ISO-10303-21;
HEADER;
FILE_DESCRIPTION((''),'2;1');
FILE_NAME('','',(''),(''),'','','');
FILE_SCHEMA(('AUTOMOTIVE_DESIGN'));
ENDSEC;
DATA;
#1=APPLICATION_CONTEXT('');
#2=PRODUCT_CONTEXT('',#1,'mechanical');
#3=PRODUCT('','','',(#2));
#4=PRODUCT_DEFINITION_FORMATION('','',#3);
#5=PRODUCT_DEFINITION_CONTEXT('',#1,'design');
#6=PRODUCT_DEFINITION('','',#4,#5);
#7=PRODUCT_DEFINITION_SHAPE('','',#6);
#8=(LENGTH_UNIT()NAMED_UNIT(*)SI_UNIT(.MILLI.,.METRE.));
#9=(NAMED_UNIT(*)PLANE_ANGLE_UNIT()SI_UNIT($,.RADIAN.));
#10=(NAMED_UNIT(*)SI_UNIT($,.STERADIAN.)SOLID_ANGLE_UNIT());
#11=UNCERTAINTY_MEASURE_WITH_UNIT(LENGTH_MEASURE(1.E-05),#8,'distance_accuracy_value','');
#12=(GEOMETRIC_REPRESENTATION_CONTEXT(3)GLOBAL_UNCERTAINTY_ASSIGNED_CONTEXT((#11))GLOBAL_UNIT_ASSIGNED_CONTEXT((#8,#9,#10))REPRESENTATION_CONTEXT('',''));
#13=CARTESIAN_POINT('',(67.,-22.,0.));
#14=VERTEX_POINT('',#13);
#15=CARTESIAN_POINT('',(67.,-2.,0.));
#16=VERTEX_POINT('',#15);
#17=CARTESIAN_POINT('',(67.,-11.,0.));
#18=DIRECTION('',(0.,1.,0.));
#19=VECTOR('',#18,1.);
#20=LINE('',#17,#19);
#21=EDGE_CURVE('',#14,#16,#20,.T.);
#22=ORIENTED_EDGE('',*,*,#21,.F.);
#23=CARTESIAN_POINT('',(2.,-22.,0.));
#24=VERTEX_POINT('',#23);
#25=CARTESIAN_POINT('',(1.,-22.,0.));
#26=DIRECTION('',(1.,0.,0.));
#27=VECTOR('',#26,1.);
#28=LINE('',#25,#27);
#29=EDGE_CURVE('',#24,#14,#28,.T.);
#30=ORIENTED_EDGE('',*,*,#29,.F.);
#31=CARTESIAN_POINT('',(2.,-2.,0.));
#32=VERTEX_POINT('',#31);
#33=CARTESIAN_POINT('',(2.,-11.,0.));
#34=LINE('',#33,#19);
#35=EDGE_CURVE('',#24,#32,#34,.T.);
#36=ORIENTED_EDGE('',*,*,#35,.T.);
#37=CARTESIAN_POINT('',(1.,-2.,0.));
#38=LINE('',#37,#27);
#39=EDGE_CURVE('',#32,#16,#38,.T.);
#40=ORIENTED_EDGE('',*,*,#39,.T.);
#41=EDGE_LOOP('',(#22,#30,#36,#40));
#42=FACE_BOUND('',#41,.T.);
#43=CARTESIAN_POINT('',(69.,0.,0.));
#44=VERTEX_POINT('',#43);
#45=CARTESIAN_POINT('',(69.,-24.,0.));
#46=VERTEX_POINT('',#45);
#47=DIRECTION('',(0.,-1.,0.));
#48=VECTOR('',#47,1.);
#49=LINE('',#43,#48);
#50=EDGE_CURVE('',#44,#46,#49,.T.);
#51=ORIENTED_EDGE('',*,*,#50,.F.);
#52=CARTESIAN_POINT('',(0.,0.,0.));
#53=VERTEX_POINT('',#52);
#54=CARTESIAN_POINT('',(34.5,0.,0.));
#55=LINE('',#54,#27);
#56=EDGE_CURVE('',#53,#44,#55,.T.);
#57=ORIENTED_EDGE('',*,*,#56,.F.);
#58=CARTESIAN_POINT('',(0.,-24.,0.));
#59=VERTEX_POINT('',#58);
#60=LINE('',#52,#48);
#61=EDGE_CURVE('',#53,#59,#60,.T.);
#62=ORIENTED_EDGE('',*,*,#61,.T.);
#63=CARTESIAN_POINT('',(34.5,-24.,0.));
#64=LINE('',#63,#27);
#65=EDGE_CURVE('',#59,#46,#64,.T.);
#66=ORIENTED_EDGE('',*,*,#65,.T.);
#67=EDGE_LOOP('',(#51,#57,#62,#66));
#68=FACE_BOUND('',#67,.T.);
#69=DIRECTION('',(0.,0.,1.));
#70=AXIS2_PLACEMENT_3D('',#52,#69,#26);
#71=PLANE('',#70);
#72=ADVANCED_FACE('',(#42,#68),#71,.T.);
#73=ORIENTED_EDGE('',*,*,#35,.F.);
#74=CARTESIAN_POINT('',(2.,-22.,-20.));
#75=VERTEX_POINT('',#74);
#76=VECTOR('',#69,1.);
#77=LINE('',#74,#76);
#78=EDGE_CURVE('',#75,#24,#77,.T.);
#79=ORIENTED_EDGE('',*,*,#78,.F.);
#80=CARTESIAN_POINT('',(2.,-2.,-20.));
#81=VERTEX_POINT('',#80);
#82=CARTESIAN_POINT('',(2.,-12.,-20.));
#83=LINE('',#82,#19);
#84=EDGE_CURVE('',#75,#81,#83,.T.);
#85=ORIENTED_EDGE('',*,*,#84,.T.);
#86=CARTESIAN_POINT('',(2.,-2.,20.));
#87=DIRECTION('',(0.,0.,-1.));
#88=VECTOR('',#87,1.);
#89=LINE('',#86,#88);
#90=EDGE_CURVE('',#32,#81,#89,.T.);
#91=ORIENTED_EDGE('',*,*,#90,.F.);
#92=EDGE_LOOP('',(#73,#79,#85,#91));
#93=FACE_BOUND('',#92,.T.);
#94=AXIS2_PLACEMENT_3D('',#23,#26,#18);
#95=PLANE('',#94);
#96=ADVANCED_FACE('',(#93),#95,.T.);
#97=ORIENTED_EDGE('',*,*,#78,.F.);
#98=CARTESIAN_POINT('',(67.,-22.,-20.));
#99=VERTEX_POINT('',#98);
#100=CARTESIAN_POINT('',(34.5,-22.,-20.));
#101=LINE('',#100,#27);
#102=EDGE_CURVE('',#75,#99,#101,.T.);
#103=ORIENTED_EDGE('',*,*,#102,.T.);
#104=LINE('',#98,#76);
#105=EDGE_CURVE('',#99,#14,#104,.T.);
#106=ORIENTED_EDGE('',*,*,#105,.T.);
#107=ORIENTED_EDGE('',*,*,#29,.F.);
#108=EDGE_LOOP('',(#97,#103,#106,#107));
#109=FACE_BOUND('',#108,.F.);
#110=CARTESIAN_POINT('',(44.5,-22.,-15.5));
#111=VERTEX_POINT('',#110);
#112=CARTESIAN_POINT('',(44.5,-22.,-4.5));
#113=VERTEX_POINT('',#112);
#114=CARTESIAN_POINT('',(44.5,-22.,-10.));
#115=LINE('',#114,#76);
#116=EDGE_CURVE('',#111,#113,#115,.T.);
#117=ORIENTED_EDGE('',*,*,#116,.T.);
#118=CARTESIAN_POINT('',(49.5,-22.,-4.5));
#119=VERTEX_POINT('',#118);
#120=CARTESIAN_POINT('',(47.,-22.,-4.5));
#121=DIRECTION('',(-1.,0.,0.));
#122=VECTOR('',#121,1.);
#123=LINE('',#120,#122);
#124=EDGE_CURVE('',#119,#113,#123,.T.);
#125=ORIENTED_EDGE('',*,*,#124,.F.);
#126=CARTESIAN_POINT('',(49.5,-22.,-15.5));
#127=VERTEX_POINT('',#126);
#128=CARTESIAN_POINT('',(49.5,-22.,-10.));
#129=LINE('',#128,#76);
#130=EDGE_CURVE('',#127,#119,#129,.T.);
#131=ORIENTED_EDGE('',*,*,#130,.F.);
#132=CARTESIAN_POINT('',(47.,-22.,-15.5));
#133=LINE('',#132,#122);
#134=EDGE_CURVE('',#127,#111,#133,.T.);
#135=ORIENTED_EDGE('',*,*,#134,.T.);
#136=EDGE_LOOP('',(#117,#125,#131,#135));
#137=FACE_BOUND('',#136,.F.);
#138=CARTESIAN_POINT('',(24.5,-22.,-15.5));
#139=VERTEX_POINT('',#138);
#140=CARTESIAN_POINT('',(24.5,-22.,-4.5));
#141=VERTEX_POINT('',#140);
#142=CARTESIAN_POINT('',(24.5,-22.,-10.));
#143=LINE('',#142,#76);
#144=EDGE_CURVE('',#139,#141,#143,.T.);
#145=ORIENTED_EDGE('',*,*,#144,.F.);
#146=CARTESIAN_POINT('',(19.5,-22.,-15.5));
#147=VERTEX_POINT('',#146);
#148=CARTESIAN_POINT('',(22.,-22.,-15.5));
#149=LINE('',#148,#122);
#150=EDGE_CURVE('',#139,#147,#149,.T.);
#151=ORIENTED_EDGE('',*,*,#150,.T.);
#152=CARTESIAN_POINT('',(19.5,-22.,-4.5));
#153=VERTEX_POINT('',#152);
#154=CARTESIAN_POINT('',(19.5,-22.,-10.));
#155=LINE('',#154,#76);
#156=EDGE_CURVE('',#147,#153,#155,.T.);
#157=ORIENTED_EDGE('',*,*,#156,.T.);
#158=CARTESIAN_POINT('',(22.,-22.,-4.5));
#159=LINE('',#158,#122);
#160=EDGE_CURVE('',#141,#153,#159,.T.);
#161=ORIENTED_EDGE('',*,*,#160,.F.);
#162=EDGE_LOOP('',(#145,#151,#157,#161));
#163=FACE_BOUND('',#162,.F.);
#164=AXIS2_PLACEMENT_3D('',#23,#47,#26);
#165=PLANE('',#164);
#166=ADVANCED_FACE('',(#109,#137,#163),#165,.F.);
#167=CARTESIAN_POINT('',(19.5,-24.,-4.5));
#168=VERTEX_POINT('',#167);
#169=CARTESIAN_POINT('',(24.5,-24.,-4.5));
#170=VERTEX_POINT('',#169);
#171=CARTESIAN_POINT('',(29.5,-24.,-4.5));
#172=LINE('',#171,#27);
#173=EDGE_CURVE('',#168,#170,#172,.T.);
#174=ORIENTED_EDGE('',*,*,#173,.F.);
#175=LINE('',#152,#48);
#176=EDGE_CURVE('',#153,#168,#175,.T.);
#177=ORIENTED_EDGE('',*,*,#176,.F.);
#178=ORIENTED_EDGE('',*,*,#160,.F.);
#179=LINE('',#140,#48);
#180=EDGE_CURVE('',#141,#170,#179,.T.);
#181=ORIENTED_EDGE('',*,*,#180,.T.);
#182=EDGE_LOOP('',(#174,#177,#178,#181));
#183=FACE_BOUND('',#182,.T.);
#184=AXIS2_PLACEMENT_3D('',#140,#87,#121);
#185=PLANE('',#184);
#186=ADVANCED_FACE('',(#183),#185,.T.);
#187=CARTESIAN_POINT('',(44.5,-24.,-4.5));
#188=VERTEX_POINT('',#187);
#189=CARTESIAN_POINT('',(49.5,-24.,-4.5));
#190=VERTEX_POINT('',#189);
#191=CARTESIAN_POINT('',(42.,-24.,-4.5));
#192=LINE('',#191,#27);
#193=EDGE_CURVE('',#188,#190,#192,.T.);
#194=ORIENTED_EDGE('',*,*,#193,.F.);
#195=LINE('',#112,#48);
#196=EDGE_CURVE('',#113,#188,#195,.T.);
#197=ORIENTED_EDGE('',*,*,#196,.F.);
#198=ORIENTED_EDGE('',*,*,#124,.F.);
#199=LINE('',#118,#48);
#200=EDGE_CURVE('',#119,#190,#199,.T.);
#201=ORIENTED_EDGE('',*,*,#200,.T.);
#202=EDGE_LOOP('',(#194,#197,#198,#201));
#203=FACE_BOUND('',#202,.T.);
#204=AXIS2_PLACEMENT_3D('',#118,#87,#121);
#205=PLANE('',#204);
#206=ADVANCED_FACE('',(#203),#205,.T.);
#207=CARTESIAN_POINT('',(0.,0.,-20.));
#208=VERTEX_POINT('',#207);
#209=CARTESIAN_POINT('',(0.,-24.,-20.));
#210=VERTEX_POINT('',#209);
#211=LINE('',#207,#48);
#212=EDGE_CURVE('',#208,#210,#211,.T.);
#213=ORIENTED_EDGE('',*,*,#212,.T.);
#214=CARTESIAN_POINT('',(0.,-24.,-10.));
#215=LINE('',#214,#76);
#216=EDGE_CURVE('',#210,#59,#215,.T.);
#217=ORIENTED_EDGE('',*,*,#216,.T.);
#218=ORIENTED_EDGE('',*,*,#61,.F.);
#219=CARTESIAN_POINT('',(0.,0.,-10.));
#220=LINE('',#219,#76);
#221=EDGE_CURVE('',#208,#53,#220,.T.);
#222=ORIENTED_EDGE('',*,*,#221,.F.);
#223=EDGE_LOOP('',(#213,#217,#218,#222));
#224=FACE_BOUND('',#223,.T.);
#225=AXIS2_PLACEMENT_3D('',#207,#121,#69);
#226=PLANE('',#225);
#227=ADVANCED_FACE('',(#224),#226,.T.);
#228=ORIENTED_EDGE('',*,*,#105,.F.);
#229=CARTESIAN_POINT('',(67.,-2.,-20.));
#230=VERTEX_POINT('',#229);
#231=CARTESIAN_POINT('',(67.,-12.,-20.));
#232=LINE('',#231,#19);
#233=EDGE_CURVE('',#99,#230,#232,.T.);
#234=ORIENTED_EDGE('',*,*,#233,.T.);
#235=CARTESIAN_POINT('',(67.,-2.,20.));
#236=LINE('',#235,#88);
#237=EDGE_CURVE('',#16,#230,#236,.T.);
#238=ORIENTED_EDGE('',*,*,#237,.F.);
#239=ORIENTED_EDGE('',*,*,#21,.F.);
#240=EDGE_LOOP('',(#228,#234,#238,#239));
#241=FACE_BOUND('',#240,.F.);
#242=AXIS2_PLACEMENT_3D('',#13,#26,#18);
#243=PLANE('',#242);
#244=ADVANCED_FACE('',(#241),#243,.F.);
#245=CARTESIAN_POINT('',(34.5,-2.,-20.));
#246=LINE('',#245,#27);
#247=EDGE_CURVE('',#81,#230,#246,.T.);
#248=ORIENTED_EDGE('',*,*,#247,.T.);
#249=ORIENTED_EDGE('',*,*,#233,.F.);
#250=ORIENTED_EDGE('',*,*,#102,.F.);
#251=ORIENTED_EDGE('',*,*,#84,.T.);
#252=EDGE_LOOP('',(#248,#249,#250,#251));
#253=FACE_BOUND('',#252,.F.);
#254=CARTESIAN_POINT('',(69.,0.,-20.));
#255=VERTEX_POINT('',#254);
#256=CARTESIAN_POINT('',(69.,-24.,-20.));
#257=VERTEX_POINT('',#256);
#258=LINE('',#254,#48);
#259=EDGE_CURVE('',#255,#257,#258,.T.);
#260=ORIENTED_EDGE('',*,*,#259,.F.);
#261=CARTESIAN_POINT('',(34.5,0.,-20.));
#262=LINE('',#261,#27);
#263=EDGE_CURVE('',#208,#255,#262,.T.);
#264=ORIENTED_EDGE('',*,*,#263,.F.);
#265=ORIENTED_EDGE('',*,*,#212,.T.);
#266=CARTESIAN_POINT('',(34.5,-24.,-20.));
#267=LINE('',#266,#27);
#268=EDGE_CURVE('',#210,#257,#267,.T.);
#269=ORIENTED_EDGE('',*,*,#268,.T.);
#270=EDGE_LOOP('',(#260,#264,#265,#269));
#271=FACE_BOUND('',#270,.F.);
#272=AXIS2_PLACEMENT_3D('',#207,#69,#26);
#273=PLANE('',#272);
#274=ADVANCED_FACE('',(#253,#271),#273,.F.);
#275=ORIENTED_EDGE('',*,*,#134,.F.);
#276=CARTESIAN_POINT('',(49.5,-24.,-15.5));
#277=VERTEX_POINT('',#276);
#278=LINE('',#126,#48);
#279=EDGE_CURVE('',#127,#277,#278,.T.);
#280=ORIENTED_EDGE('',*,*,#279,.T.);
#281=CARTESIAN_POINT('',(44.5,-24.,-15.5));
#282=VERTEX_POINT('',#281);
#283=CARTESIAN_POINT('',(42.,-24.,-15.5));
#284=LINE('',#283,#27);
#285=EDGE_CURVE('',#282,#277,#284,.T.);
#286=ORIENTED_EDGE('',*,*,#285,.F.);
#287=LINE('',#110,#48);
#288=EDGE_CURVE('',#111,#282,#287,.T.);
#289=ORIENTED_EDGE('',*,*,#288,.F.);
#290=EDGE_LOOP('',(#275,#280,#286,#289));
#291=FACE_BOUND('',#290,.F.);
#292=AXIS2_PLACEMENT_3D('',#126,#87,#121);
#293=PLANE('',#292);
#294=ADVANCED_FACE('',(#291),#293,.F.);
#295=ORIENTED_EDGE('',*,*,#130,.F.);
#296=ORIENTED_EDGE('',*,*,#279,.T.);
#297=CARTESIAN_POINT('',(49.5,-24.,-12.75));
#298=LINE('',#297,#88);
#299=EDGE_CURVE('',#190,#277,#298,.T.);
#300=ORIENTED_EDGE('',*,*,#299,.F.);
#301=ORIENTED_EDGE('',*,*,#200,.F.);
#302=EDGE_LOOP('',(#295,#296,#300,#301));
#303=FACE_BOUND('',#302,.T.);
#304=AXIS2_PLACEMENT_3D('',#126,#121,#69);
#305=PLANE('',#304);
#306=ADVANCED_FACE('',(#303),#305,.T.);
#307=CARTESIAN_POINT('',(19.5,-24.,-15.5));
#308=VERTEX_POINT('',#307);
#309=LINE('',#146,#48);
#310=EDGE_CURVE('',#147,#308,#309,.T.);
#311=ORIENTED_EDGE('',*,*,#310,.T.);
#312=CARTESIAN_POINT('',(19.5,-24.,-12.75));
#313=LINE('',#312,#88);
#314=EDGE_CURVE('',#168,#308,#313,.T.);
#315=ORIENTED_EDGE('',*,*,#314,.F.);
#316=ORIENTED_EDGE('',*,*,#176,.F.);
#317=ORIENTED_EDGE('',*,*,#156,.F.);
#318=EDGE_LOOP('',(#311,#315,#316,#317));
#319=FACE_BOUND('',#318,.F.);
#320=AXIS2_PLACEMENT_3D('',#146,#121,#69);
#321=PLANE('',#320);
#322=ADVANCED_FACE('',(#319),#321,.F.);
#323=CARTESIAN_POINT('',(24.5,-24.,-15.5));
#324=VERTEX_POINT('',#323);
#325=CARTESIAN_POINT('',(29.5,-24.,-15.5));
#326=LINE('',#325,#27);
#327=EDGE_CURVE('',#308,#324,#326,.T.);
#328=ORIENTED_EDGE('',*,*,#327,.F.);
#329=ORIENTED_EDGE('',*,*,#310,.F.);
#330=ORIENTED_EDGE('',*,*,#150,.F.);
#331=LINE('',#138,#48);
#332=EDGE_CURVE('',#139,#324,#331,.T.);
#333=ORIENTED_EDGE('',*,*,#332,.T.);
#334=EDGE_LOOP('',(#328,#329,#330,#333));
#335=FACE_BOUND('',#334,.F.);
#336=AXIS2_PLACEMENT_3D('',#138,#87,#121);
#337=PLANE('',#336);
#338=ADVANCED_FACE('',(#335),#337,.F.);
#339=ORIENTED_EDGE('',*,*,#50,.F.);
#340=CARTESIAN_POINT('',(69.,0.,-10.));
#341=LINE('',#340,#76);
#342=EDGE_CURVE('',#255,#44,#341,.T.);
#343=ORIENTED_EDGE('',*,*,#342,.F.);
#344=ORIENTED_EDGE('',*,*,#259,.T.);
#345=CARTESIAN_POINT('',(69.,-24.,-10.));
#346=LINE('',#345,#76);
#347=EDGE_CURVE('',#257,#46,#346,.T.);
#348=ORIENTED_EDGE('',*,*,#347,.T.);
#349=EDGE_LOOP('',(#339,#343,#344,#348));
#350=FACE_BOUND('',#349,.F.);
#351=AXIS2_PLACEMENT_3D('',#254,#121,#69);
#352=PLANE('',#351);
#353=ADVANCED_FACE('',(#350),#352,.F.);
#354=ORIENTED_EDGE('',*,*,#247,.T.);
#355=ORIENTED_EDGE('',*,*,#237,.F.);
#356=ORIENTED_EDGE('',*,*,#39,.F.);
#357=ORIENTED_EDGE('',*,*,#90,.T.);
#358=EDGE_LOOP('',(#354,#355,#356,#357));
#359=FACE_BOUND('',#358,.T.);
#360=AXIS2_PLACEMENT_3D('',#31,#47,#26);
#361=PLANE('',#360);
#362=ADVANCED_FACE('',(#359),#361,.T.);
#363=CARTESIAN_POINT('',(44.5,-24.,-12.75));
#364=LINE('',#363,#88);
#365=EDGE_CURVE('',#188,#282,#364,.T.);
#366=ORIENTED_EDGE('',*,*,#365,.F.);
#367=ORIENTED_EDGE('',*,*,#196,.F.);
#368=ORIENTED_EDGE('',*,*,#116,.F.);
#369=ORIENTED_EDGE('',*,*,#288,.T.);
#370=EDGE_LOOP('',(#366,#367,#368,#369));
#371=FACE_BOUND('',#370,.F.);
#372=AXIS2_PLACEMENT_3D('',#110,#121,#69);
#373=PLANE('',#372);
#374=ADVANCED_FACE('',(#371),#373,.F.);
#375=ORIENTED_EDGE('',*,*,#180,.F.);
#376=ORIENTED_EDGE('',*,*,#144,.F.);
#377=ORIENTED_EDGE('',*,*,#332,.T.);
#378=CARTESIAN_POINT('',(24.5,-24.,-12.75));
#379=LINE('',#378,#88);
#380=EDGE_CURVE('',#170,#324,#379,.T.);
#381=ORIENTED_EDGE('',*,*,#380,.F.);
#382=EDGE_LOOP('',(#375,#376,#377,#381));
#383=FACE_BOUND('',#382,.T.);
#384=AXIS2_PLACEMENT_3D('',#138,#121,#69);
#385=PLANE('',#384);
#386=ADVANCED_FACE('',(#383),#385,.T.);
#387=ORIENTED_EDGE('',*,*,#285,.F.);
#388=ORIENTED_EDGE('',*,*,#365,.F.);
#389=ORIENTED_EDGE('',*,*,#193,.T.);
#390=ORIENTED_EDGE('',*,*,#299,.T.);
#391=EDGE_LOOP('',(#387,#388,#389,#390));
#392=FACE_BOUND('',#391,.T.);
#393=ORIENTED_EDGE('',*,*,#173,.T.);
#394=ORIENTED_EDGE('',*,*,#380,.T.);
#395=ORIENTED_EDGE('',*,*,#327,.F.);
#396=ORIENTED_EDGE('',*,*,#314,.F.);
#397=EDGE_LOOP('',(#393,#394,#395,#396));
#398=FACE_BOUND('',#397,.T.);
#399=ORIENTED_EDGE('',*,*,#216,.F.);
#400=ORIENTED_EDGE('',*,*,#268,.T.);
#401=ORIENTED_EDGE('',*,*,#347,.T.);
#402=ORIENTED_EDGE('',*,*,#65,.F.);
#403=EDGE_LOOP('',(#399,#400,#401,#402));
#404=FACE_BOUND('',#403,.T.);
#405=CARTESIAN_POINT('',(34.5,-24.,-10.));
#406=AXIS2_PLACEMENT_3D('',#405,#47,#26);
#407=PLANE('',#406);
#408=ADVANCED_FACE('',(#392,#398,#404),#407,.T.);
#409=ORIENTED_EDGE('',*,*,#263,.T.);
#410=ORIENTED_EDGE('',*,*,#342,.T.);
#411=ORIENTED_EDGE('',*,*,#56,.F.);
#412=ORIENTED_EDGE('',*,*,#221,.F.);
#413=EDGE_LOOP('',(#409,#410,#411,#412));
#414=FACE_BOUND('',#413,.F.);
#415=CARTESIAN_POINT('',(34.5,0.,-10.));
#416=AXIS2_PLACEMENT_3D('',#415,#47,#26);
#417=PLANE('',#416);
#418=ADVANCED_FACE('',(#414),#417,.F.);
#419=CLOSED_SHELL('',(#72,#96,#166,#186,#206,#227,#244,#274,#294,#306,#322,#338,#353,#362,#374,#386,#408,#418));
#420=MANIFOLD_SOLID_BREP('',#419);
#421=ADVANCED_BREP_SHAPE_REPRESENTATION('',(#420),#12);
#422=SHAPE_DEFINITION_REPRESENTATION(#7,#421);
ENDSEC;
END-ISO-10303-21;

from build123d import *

# Parameters (mm, degrees)
F0_W     = 69
F0_H     = 20
F1_DEPTH = 24
F2_W     = 65
F2_H     = 20
F3_DEPTH = 20
F5_W     = 5
F5_H     = 11
F6_DEPTH = 5


with BuildPart() as f1:
    # F0 (on Front) → F1 (new body)
    with BuildSketch(Plane.XZ):
        with Locations((34.5, -10)):
            Rectangle(F0_W, F0_H)
    extrude(amount=F1_DEPTH)

    # F2 (on Top) → F3 (cut, symmetric)
    with BuildSketch(Plane.XY):
        with Locations((34.5, -12)):
            Rectangle(F2_W, F2_H)
    extrude(amount=F3_DEPTH, both=True, mode=Mode.SUBTRACT)

    # F5 (on offset) → F6 (cut)
    with BuildSketch(Plane(origin=(0, -22, 0), x_dir=(-1, 0, 0), z_dir=(0, 1, 0))):
        with Locations((-22, -10)):
            Rectangle(F5_W, F5_H)
        with Locations((-47, -9.9999997467)):
            Rectangle(F5_W, F5_H)
    extrude(amount=-F6_DEPTH, mode=Mode.SUBTRACT)


solid = f1.part
